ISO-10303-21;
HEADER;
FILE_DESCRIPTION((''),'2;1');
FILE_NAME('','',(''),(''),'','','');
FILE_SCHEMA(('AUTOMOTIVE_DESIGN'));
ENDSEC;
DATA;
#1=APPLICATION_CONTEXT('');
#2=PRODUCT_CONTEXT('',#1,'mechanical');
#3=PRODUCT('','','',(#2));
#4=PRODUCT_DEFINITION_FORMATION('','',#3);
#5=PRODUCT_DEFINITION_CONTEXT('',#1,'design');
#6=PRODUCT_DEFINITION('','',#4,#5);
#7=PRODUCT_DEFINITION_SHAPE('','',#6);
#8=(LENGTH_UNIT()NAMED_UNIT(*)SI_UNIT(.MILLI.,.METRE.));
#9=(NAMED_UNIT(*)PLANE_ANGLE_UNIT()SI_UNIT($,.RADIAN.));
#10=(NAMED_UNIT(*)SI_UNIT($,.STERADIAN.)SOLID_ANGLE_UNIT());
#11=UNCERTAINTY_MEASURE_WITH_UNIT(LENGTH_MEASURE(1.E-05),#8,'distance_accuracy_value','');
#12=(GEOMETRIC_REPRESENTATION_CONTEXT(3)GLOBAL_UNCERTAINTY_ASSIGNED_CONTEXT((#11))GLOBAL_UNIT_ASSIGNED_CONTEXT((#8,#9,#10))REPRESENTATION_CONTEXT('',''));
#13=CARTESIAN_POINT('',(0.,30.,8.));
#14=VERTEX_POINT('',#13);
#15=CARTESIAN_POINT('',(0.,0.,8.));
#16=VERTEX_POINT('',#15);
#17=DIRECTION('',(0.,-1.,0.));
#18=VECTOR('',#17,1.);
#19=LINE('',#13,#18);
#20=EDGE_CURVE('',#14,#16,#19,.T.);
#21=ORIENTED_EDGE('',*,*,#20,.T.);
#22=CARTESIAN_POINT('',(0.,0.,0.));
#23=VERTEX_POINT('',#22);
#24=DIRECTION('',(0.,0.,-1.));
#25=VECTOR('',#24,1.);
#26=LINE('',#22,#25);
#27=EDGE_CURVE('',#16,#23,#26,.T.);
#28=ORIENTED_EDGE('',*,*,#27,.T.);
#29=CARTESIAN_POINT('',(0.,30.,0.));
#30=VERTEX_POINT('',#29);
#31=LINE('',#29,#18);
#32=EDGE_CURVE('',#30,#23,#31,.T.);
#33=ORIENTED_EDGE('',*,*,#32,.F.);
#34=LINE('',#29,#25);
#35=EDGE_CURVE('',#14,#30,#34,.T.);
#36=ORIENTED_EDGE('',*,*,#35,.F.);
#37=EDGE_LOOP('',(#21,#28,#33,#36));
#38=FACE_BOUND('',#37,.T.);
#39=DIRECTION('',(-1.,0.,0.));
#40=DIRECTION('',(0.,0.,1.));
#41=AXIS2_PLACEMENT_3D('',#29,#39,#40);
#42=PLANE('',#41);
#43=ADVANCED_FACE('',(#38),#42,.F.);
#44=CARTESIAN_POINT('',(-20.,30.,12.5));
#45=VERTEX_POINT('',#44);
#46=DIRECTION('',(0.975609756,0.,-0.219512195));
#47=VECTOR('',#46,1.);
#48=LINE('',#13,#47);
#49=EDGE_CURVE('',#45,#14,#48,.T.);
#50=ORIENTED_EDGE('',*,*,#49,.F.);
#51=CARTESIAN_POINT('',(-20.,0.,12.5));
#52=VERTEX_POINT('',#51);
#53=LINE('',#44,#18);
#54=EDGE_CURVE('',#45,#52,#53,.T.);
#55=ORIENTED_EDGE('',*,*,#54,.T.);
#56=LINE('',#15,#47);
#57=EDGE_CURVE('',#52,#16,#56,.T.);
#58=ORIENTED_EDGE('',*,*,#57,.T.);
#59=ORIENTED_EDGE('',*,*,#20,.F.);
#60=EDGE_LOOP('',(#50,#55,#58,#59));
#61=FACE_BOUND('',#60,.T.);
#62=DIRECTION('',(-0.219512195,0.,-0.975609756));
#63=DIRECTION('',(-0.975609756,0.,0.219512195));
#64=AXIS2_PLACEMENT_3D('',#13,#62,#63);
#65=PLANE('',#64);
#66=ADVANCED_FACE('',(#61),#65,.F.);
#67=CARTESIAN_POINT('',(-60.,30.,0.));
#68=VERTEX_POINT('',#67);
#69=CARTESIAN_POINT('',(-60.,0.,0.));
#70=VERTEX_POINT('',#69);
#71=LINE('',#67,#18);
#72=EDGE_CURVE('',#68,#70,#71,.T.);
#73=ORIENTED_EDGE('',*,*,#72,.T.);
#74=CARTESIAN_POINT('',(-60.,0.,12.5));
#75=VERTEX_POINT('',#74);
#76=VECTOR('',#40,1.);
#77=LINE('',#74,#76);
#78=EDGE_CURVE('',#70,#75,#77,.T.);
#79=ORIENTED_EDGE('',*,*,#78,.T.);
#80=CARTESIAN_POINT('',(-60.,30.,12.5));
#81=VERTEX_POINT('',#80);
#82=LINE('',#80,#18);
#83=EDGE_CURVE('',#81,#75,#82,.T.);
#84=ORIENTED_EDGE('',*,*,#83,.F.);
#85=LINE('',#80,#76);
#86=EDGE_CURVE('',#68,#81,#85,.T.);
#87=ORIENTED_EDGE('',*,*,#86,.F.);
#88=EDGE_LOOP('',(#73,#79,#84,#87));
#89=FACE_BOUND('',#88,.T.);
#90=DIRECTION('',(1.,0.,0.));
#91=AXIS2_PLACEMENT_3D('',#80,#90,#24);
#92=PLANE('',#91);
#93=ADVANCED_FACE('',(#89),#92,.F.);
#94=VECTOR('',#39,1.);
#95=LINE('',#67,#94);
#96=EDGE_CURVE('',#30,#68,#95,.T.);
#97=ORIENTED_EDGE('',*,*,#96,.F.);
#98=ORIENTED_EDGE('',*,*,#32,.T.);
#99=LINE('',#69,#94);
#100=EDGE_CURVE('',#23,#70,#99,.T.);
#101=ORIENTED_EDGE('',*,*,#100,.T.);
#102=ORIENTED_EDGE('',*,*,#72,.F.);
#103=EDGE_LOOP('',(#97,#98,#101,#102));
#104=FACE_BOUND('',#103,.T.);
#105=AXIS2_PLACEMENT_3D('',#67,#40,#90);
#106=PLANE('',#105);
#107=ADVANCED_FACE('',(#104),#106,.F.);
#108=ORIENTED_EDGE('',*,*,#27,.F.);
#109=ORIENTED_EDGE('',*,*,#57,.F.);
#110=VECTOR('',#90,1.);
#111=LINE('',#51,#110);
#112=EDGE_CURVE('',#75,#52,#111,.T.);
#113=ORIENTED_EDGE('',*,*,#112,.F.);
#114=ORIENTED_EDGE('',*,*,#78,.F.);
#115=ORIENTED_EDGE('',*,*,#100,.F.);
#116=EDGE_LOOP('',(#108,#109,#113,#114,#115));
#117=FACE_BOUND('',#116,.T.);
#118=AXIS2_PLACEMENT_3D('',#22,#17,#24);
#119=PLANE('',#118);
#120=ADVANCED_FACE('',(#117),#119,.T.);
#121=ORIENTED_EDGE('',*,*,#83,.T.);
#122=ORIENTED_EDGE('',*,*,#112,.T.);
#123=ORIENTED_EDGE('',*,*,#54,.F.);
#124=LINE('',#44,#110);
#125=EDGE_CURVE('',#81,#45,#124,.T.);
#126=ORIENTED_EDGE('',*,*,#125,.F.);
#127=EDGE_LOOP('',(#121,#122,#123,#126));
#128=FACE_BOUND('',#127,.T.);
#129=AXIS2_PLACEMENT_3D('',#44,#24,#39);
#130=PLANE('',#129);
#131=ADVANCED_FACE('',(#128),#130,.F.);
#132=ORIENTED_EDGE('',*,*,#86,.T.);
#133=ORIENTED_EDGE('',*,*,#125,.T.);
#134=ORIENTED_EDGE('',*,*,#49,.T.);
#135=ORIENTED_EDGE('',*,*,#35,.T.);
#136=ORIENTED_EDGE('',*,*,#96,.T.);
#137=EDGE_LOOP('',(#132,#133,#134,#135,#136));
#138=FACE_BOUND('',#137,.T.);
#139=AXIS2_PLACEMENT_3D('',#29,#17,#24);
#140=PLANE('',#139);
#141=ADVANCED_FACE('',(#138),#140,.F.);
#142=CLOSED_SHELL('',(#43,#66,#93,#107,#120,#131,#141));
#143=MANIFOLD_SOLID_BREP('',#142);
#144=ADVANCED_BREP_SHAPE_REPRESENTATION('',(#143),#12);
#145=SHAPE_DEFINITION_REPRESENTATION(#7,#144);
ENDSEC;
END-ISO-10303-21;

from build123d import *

# Parameters (mm, degrees)
BOSS_EXTRUDE1_DEPTH = 30


with BuildPart() as part:
    # Sketch1 → Boss-Extrude1 (new body)
    with BuildSketch(Plane(origin=(0, 0, 0), x_dir=(-1, 0, 0), z_dir=(0, 1, 0))):
        Polygon((0, 0), (0, 8), (20, 12.5), (60, 12.5), (60, 0), align=None)
    extrude(amount=BOSS_EXTRUDE1_DEPTH)


solid = part.part
